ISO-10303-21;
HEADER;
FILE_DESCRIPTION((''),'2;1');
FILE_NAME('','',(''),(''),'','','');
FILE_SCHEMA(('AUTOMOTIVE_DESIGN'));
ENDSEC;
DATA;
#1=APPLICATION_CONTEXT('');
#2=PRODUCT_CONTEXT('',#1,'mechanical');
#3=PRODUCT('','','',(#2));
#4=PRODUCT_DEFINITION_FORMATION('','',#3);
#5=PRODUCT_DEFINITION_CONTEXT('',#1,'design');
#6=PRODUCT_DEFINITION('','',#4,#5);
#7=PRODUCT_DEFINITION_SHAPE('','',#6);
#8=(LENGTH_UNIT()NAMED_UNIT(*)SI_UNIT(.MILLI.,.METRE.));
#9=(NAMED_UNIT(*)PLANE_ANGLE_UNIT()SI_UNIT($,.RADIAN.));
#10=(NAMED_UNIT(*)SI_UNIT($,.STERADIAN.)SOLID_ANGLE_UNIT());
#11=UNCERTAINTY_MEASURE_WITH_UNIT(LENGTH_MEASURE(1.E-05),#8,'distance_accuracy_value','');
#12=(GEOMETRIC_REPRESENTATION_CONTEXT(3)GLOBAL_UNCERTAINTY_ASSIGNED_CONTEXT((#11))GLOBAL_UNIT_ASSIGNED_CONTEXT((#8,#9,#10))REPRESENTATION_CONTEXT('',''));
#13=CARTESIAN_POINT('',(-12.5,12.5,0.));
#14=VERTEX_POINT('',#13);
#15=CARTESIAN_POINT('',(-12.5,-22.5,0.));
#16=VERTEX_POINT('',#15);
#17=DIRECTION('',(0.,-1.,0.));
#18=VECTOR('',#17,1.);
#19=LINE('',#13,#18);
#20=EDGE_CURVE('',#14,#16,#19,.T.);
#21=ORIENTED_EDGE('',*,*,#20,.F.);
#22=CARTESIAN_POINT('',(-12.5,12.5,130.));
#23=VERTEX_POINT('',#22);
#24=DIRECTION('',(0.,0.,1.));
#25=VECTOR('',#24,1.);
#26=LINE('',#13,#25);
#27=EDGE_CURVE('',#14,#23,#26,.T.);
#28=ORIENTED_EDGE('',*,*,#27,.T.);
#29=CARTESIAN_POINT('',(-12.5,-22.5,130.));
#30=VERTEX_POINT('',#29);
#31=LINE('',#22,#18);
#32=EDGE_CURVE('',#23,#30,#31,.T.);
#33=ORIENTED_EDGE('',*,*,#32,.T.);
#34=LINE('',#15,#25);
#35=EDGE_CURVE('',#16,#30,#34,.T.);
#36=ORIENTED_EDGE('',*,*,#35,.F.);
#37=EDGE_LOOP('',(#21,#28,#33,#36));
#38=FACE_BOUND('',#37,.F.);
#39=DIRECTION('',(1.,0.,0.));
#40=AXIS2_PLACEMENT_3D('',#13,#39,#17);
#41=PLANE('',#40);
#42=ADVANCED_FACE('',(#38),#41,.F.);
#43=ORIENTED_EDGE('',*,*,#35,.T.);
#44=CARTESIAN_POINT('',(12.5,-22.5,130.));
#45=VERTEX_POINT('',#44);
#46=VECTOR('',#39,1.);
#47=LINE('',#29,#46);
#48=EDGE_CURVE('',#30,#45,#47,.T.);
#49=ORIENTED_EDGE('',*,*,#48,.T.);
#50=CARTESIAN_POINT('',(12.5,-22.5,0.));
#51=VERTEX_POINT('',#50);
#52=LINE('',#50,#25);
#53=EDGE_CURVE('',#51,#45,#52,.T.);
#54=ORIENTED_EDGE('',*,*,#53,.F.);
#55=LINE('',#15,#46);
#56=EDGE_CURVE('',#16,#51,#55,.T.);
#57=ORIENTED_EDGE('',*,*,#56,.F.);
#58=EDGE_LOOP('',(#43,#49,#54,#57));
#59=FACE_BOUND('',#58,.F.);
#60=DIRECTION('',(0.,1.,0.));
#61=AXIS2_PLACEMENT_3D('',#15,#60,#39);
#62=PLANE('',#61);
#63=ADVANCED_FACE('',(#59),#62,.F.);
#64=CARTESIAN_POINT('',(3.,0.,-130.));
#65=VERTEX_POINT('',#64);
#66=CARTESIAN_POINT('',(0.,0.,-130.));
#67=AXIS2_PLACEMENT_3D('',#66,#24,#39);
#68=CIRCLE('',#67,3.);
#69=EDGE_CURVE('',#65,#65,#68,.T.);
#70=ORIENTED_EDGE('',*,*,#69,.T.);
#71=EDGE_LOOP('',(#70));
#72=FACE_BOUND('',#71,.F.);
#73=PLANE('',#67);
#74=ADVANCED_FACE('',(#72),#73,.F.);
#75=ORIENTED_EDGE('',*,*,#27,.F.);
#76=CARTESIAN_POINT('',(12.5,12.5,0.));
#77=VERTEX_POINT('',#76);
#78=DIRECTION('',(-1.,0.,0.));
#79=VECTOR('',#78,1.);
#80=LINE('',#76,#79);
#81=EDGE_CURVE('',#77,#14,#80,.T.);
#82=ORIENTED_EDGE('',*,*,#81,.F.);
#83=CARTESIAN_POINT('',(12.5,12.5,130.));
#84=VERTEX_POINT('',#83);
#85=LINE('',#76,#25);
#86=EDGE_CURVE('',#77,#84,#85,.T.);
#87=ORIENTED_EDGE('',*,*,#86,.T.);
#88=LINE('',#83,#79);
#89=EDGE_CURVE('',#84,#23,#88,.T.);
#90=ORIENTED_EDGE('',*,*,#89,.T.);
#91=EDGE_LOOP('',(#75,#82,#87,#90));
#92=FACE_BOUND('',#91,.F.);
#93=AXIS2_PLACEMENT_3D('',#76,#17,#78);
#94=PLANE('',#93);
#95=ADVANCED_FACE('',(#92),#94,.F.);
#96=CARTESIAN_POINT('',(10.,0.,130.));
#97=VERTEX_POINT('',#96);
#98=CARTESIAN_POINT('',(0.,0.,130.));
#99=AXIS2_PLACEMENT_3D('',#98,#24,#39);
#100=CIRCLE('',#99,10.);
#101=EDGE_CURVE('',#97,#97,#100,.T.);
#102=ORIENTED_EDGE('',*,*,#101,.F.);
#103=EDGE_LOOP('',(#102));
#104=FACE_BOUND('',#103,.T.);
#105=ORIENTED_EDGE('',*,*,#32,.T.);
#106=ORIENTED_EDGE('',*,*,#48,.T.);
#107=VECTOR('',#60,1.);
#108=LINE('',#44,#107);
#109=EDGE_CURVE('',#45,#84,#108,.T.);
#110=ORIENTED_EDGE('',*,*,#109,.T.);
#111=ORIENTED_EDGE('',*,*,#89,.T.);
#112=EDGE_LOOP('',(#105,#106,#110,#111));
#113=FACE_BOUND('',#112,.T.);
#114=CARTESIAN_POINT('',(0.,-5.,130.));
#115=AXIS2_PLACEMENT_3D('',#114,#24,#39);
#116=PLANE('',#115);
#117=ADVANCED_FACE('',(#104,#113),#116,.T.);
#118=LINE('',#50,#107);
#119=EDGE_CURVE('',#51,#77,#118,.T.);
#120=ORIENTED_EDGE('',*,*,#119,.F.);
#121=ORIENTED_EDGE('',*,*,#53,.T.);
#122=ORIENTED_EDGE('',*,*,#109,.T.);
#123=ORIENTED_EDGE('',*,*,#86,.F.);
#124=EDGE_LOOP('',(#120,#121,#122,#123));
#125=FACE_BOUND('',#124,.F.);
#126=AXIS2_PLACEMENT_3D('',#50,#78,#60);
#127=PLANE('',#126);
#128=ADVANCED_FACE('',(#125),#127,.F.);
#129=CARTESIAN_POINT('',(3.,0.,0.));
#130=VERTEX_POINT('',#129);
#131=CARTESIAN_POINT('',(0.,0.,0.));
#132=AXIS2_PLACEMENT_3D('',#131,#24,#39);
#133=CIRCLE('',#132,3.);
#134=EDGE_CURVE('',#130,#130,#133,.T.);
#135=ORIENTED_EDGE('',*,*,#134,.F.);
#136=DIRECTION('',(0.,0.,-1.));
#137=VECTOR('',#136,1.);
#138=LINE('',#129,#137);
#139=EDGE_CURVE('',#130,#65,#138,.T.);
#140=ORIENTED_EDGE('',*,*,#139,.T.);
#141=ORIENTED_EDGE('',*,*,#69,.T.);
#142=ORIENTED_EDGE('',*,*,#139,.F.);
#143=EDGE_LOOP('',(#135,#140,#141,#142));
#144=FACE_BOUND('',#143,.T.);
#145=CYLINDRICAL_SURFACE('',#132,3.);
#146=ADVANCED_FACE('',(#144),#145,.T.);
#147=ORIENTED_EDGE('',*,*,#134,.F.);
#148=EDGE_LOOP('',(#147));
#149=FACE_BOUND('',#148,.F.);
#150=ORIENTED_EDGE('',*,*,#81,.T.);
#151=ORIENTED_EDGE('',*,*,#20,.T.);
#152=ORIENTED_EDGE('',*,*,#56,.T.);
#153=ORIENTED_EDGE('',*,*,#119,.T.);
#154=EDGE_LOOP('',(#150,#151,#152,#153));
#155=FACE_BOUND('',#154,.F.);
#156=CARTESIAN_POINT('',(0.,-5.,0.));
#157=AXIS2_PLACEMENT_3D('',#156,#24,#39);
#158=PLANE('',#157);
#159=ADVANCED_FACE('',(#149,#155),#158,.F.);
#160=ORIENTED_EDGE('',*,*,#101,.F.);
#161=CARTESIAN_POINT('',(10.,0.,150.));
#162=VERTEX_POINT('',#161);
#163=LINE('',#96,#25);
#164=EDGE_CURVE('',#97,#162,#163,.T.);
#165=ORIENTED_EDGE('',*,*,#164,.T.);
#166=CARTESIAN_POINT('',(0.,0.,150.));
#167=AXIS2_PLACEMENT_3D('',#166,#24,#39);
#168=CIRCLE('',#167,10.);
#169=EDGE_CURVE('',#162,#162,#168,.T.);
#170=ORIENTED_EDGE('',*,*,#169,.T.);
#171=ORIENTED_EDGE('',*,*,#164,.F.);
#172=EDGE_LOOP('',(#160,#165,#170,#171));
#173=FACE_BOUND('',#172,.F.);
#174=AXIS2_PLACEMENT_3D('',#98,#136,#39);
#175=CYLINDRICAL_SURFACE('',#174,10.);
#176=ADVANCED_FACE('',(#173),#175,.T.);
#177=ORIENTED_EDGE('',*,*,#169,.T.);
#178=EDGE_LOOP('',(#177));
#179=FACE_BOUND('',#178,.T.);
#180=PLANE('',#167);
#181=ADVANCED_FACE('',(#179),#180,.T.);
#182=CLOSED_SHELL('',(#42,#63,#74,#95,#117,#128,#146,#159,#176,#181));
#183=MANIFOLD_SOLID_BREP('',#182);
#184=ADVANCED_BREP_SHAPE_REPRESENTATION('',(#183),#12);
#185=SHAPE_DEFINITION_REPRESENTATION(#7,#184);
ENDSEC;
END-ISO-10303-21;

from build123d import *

# Parameters (mm, degrees)
F0_R     = 3
F3_DEPTH = 130
F4_DEPTH = 130
F5_START = 130
F2_R     = 10
F5_DEPTH = 20


with BuildPart() as f3:
    # F0 (on Top) → F3 (new body)
    with BuildSketch(Plane.XY):
        Circle(F0_R)
    extrude(amount=-F3_DEPTH)

    # F1 (on Top) → F4 (join)
    with BuildSketch(Plane.XY):
        Polygon((12.5, -12.5), (12.5, 12.5), (-12.5, 12.5), (-12.5, -12.5), (-12.5, -22.5), (12.5, -22.5), align=None)
    extrude(amount=F4_DEPTH)

    # F2 (on Top) → F5 (join)
    with BuildSketch(Plane.XY.offset(F5_START)):
        Circle(F2_R)
    extrude(amount=F5_DEPTH)


solid = f3.part
